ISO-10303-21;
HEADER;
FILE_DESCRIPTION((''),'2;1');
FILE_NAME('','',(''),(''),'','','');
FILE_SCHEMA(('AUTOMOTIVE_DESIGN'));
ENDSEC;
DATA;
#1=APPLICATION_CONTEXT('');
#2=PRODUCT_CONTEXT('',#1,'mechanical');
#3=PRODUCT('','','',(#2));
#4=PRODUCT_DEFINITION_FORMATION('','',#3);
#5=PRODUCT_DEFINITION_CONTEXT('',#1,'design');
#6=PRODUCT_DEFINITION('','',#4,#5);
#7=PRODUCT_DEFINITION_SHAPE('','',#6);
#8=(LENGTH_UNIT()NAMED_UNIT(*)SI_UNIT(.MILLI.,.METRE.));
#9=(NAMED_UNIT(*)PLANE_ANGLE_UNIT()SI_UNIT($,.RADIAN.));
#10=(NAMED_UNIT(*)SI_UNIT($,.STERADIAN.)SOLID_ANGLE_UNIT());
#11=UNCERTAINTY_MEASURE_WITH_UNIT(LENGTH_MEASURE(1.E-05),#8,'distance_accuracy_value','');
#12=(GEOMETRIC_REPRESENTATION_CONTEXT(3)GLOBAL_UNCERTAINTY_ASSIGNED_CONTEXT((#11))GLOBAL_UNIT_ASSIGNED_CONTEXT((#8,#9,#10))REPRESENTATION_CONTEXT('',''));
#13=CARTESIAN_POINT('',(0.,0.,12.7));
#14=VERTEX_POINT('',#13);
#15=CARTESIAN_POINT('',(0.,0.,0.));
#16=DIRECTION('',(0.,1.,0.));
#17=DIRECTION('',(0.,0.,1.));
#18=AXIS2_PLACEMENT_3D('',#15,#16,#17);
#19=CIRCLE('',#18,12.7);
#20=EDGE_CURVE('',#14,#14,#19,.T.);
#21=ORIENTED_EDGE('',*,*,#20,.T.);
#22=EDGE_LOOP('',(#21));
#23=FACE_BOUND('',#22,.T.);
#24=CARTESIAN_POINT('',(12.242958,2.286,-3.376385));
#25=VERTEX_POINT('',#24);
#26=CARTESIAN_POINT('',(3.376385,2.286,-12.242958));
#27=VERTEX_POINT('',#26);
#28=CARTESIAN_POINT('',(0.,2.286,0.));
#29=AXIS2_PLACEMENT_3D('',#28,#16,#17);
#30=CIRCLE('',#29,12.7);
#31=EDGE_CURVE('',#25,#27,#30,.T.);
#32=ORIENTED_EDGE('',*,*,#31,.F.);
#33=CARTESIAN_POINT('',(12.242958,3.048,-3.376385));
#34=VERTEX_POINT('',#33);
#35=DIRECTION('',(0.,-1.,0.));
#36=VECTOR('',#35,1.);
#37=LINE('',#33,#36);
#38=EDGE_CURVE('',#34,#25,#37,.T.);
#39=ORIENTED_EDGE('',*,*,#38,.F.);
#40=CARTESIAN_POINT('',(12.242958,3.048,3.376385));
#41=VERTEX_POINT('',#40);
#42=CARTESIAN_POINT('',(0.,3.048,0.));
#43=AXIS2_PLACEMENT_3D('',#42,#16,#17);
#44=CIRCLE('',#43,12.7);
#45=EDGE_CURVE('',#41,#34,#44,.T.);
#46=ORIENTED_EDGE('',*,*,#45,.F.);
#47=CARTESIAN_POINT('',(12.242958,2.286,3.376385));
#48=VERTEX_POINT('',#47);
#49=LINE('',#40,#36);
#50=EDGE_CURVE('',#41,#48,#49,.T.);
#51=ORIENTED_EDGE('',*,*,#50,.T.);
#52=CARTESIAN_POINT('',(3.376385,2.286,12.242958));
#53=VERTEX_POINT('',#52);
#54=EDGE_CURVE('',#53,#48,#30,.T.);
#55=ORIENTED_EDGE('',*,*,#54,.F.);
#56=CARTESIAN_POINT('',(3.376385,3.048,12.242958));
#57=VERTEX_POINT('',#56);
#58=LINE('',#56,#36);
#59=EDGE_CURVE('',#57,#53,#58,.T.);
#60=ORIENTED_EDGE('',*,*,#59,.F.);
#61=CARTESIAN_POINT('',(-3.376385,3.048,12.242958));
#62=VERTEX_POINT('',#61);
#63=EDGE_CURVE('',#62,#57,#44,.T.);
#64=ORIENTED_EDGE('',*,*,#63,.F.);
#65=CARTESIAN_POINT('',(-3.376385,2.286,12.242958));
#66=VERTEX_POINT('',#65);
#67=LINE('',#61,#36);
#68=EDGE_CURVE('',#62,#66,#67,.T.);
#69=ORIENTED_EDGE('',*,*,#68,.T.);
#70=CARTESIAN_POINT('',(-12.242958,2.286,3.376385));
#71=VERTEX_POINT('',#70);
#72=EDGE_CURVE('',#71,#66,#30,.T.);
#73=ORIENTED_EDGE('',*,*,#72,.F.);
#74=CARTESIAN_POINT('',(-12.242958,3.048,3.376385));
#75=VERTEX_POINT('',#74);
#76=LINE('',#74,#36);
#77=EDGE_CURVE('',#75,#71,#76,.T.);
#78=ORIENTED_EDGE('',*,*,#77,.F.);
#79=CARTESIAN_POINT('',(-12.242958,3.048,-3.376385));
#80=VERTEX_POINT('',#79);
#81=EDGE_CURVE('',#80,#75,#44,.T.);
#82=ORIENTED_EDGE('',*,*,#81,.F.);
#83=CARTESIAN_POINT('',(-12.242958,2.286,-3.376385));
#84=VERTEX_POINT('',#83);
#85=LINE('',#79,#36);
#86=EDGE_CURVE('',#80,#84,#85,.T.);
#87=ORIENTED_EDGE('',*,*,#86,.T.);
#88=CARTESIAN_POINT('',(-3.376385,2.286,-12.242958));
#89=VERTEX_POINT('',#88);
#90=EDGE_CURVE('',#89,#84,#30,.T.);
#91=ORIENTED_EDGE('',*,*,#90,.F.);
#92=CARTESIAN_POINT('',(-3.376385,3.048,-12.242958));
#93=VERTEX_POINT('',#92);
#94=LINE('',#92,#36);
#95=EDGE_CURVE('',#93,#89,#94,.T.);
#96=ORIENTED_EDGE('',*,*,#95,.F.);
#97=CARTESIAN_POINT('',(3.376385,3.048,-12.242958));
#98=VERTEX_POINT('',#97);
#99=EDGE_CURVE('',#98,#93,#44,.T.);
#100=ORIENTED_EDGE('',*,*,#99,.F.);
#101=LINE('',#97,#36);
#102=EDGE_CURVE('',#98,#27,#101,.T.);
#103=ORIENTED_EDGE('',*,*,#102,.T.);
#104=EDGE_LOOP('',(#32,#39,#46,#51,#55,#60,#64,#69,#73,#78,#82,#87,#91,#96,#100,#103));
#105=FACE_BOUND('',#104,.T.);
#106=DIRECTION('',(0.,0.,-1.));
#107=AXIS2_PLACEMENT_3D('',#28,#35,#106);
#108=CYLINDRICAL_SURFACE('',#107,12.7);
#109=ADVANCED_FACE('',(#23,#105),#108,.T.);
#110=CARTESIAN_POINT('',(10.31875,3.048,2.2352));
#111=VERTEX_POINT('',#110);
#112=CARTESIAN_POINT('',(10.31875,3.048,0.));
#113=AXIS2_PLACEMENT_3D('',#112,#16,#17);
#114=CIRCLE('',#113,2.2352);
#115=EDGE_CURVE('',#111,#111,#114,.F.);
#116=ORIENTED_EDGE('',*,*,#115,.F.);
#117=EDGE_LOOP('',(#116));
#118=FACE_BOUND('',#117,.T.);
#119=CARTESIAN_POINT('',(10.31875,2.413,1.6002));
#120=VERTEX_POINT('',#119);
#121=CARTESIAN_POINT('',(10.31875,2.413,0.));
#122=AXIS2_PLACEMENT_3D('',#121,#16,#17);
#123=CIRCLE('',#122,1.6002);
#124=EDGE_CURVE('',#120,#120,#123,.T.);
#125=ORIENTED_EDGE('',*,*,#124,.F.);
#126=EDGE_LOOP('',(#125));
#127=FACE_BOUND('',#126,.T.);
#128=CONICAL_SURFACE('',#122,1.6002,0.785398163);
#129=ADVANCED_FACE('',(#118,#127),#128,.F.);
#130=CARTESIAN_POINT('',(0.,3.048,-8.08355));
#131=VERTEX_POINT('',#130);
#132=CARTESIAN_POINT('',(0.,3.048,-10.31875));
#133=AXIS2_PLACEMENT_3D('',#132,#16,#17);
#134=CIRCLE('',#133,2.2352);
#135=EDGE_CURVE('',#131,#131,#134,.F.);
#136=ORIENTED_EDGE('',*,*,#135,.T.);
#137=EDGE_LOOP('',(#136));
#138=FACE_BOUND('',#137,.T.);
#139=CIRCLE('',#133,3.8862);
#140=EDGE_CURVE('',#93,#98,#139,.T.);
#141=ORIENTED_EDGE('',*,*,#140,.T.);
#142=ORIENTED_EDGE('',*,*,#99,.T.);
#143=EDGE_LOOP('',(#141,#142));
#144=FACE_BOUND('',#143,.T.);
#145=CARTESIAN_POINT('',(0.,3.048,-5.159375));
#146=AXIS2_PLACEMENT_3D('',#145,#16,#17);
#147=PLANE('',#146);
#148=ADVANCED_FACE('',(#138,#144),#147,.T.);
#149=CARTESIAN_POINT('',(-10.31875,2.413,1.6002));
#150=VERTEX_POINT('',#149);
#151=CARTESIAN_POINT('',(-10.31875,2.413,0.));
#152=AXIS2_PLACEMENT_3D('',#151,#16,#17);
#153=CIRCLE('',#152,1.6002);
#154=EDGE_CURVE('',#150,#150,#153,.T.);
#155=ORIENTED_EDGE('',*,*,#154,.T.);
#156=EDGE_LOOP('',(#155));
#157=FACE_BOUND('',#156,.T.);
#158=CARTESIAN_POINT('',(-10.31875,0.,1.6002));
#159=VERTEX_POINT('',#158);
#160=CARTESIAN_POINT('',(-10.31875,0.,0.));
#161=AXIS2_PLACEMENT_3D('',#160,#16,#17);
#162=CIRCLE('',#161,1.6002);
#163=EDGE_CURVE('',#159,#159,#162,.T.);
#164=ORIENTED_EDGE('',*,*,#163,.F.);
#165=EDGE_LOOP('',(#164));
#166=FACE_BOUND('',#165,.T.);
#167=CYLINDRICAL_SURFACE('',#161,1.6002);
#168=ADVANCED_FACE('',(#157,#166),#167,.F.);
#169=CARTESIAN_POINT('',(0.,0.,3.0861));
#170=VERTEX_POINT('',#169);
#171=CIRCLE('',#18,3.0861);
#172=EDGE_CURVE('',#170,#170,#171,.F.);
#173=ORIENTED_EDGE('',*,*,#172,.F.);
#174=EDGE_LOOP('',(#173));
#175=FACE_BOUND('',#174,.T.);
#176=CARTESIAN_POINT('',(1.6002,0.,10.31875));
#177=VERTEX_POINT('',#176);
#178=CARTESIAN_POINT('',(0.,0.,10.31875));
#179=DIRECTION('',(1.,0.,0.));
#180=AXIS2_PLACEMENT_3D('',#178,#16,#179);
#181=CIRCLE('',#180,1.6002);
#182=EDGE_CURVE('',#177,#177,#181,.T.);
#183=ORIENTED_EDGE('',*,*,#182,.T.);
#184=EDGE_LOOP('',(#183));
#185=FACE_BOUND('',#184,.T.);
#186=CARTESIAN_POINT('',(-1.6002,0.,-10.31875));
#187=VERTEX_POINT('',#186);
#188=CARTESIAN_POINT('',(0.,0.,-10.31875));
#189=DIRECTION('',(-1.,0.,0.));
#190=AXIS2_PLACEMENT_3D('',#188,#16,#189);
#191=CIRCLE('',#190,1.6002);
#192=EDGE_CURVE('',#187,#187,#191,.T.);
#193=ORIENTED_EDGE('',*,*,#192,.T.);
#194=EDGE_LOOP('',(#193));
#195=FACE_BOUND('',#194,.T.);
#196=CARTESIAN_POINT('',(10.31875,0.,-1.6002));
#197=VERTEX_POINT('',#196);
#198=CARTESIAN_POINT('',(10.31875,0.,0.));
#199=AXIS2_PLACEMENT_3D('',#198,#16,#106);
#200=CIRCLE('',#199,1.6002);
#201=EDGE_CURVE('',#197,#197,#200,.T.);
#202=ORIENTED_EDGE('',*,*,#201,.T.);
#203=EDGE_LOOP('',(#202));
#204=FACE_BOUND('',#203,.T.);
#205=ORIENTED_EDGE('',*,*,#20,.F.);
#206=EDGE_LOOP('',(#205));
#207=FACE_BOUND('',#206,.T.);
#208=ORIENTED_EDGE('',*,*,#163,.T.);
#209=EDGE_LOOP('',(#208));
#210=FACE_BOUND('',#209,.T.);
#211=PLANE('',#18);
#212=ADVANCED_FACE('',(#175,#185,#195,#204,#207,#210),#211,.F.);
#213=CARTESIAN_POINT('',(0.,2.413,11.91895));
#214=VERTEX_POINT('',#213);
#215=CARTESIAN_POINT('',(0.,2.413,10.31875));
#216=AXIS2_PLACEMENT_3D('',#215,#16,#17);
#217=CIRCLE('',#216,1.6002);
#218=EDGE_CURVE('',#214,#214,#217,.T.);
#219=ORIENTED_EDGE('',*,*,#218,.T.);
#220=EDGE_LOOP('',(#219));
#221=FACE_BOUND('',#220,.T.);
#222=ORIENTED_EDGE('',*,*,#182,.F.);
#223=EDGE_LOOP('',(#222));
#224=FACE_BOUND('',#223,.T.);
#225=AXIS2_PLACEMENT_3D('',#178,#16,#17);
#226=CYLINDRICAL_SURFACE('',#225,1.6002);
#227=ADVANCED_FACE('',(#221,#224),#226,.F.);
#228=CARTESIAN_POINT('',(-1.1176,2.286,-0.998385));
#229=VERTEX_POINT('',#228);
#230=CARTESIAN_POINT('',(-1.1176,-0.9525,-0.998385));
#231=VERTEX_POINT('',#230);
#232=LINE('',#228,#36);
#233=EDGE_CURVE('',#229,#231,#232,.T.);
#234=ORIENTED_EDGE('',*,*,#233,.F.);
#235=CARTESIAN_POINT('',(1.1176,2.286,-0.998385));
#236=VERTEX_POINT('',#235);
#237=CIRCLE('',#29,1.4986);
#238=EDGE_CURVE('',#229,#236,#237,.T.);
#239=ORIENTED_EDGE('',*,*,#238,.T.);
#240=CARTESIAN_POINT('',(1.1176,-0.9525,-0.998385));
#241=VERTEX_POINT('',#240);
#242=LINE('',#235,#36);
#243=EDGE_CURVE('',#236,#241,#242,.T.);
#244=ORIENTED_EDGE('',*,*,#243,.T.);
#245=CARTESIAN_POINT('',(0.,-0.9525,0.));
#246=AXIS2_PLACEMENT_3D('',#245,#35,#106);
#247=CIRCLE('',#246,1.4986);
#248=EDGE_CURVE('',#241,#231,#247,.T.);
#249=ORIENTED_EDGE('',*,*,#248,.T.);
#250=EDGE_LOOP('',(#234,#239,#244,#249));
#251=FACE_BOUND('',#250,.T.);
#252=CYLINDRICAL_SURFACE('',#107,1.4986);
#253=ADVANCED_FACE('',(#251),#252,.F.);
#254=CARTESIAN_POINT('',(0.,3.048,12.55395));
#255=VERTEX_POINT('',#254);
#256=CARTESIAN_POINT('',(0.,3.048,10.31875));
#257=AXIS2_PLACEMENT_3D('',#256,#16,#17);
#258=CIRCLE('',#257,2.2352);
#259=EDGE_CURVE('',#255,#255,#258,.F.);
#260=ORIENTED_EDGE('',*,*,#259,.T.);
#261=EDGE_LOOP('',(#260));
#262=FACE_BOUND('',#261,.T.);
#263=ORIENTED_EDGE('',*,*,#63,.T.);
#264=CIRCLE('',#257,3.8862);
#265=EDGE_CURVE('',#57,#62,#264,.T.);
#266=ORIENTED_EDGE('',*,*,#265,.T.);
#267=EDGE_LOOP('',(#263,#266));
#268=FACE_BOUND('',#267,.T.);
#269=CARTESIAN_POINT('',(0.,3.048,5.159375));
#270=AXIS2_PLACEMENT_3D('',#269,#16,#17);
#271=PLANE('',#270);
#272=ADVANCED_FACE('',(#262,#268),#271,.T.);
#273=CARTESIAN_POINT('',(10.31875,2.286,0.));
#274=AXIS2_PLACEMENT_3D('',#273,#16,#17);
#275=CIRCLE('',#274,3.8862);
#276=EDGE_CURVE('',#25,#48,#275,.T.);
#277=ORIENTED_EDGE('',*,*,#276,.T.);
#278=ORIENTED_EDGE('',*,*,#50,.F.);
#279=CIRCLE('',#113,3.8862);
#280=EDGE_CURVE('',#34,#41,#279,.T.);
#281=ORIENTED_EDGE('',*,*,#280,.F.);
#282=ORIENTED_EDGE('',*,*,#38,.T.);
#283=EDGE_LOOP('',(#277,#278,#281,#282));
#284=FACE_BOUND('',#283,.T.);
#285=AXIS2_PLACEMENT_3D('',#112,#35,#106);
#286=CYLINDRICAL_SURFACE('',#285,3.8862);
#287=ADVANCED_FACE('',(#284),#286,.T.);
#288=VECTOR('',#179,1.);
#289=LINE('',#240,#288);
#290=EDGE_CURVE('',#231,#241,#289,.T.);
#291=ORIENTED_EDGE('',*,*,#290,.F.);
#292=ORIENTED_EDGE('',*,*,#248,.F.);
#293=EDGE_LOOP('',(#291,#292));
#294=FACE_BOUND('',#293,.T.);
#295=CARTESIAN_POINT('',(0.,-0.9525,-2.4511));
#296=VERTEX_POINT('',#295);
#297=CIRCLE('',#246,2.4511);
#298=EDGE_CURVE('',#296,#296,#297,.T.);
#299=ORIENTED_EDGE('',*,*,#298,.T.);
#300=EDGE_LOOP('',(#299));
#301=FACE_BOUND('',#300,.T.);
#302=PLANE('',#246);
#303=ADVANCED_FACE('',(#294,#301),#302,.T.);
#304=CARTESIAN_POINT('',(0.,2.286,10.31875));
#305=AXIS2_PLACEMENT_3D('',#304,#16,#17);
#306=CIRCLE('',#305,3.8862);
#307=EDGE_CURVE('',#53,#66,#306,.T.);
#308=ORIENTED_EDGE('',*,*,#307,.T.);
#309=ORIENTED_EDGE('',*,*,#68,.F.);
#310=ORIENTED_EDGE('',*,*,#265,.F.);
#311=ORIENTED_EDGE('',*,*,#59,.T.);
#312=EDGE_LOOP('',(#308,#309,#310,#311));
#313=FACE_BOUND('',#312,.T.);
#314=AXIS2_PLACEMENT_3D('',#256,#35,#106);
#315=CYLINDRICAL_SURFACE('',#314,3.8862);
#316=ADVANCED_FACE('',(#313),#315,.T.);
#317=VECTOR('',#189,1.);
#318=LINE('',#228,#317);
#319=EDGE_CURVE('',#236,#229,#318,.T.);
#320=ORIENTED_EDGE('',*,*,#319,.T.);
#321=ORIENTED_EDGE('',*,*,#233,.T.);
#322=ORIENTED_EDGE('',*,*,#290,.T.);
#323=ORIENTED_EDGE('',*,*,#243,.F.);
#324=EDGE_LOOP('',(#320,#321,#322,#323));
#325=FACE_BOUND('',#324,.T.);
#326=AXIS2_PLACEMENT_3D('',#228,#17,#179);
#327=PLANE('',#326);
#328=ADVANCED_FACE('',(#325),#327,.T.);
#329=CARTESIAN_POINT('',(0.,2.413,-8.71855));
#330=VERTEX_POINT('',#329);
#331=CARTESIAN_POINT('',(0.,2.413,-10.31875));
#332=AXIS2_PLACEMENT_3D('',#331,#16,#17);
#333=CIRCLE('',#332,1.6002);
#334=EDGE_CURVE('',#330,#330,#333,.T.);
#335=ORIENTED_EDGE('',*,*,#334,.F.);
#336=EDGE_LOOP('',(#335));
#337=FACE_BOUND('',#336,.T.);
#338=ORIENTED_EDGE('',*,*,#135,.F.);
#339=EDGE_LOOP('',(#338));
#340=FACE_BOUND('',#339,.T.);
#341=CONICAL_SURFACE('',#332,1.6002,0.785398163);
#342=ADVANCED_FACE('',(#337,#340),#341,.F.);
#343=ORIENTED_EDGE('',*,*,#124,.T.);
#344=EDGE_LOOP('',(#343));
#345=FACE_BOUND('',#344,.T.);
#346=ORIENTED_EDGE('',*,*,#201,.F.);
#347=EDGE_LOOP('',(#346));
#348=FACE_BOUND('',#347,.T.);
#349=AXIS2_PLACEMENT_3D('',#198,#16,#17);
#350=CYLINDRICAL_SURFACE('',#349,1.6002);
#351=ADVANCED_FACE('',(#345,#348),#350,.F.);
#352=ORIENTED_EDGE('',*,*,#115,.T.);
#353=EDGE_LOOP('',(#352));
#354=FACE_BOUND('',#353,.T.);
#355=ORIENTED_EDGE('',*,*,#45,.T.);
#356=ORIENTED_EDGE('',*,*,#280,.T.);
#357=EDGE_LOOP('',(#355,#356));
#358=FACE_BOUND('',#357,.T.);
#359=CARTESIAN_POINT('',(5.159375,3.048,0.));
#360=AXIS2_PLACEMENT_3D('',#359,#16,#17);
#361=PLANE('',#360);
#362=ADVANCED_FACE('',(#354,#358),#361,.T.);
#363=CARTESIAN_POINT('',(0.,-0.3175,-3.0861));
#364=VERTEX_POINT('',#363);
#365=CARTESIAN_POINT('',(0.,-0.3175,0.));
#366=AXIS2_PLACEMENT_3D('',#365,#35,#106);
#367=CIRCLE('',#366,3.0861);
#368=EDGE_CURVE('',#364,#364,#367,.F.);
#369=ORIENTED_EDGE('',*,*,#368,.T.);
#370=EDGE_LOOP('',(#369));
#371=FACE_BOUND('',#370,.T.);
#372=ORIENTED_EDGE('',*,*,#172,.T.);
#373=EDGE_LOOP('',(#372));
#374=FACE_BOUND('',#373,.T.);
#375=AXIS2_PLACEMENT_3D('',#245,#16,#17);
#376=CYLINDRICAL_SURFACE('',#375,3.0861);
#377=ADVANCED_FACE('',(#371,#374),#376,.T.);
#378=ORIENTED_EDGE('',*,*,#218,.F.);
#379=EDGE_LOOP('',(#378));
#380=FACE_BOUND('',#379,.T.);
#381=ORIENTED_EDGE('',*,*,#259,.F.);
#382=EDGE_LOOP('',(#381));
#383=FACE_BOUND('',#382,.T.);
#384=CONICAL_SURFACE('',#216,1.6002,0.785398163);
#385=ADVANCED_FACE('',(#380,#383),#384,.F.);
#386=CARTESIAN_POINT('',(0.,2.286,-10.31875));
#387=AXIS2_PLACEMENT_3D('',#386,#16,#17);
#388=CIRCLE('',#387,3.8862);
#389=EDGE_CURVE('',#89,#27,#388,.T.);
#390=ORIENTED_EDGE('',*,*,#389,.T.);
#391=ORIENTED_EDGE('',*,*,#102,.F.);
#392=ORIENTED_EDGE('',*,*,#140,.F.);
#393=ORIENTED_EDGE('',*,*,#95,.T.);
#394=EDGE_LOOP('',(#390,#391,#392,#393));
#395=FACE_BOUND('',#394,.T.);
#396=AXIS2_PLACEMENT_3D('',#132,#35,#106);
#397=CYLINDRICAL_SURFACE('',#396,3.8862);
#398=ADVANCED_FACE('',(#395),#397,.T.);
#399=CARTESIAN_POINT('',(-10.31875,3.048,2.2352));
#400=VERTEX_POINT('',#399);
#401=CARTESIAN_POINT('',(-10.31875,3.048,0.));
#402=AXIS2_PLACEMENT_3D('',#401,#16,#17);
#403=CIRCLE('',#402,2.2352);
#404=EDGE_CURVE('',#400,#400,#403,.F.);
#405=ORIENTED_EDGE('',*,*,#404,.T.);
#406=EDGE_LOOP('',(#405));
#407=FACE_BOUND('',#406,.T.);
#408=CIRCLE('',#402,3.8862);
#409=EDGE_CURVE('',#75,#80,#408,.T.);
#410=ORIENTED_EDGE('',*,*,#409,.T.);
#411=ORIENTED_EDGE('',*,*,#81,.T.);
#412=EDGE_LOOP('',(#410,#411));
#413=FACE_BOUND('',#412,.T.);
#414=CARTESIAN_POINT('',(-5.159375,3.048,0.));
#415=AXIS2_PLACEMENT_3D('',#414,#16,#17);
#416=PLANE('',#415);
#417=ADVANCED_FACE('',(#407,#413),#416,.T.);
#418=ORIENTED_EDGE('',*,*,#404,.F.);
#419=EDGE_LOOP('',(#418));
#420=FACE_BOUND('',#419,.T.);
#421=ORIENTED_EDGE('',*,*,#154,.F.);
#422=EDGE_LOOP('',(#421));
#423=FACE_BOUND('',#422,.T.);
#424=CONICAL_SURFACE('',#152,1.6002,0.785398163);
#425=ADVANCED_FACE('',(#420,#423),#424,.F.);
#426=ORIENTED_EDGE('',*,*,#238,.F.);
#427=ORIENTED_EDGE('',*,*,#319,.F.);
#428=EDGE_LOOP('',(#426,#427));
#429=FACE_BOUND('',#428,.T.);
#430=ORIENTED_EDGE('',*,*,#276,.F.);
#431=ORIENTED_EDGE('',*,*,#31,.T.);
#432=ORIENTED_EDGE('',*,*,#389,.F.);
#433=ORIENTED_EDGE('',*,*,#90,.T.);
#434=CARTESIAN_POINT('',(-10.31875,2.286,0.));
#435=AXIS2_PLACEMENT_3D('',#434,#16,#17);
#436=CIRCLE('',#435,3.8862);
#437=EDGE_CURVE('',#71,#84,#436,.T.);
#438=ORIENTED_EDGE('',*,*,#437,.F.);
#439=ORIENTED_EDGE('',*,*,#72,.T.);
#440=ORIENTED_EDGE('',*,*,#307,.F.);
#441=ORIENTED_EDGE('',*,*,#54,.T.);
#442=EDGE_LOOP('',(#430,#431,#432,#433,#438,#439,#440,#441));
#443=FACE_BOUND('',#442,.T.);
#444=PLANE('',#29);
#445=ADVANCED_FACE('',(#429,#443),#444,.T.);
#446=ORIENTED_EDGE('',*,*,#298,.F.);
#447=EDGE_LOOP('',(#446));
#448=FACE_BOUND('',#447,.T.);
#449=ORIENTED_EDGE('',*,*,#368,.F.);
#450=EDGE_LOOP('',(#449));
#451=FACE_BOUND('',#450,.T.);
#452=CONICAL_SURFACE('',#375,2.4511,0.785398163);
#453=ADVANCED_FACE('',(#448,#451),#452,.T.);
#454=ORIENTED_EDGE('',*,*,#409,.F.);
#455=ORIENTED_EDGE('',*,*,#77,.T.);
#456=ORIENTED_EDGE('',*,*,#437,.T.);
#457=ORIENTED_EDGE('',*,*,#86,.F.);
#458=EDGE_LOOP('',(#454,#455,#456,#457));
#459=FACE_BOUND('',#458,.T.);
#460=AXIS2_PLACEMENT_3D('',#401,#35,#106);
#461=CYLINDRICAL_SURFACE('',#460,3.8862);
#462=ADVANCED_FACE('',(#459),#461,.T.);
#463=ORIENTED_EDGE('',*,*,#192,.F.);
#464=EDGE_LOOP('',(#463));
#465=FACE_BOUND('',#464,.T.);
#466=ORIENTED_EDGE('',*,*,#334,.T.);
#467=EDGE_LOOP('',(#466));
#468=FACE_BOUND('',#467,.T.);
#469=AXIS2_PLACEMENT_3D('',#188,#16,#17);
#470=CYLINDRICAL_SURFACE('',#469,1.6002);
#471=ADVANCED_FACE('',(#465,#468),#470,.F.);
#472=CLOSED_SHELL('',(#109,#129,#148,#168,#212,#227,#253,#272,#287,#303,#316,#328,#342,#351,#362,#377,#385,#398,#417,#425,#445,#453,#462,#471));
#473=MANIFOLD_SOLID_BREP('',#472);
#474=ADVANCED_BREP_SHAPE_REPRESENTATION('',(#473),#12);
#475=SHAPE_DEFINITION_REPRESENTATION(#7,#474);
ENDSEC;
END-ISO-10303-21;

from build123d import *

# Parameters (mm, degrees)
SKETCH1_R           = 12.7
BOSS_EXTRUDE1_DEPTH = 2.286
SKETCH2_R           = 1.6002
CUT_EXTRUDE1_DEPTH  = 3.286
CIRPATTERN1_COUNT   = 4
SKETCH4_R           = 1.6002
BOSS_EXTRUDE3_DEPTH = 0.762
CHAMFER1_SIZE       = 0.635
SKETCH5_R           = 3.0861
BOSS_EXTRUDE4_DEPTH = 0.9525
CHAMFER2_SIZE       = 0.635


with BuildPart() as part:
    # Sketch1 → Boss-Extrude1 (new body)
    with BuildSketch(Plane(origin=(0, 0, 0), x_dir=(1, 0, 0), z_dir=(0, 1, 0))):
        Circle(SKETCH1_R)
        with BuildLine():
            Line((-1.1176, 0.998384796), (1.1176, 0.998384796))
            ThreePointArc((1.1176, 0.998384796), (0, -1.4986), (-1.1176, 0.998384796))
        make_face(mode=Mode.SUBTRACT)
    extrude(amount=BOSS_EXTRUDE1_DEPTH)

    # Sketch2 → Cut-Extrude1 (cut, through all)
    with BuildSketch(Plane(origin=(0, 2.286, 0), x_dir=(1, 0, 0), z_dir=(0, 1, 0))):
        with Locations((-10.31875, 0)):
            Circle(SKETCH2_R)
    cut_extrude1 = extrude(amount=-CUT_EXTRUDE1_DEPTH, mode=Mode.SUBTRACT)

    # CirPattern1: Cut-Extrude1 ×4 about axis
    cirpattern1_axis = Axis((0, 0, 0), (0, 1, 0))
    for i in range(1, CIRPATTERN1_COUNT):
        add(cut_extrude1.rotate(cirpattern1_axis, i * 360 / CIRPATTERN1_COUNT), mode=Mode.SUBTRACT)

    # Sketch4 → Boss-Extrude3 (add)
    with BuildSketch(Plane(origin=(0, 2.286, 0), x_dir=(1, 0, 0), z_dir=(0, 1, 0))):
        with BuildLine():
            ThreePointArc((-12.242958262, -3.376384606), (-6.43255, 0), (-12.242958262, 3.376384606))
            ThreePointArc((-12.242958262, 3.376384606), (-12.7, 0), (-12.242958262, -3.376384606))
        make_face()
        with Locations((-10.31875, 0)):
            Circle(SKETCH4_R, mode=Mode.SUBTRACT)
        with BuildLine():
            ThreePointArc((-3.376384606, 12.242958262), (0, 6.43255), (3.376384606, 12.242958262))
            ThreePointArc((3.376384606, 12.242958262), (0, 12.7), (-3.376384606, 12.242958262))
        make_face()
        with Locations((0, 10.31875)):
            Circle(SKETCH4_R, mode=Mode.SUBTRACT)
        with BuildLine():
            ThreePointArc((12.242958262, 3.376384606), (6.43255, 0), (12.242958262, -3.376384606))
            ThreePointArc((12.242958262, -3.376384606), (12.7, 0), (12.242958262, 3.376384606))
        make_face()
        with Locations((10.31875, 0)):
            Circle(SKETCH4_R, mode=Mode.SUBTRACT)
        with BuildLine():
            ThreePointArc((3.376384606, -12.242958262), (0, -6.43255), (-3.376384606, -12.242958262))
            ThreePointArc((-3.376384606, -12.242958262), (0, -12.7), (3.376384606, -12.242958262))
        make_face()
        with Locations((0, -10.31875)):
            Circle(SKETCH4_R, mode=Mode.SUBTRACT)
    extrude(amount=BOSS_EXTRUDE3_DEPTH)

    # Chamfer1
    chamfer1_edges = [part.edges().sort_by_distance(p)[0] for p in [
        (-1.6002, 3.048, -10.31875),
        (8.71855, 3.048, 0),
        (-11.91895, 3.048, 0),
        (-1.6002, 3.048, 10.31875),
    ]]
    chamfer(chamfer1_edges, length=CHAMFER1_SIZE)

    # Sketch5 → Boss-Extrude4 (add)
    with BuildSketch(Plane.XZ):
        Circle(SKETCH5_R)
        with BuildLine():
            Line((1.1176, -0.998384796), (-1.1176, -0.998384796))
            ThreePointArc((-1.1176, -0.998384796), (0, 1.4986), (1.1176, -0.998384796))
        make_face(mode=Mode.SUBTRACT)
    extrude(amount=BOSS_EXTRUDE4_DEPTH)

    # Chamfer2
    chamfer2_edges = [part.edges().sort_by_distance(p)[0] for p in [
        (-3.0861, -0.9525, 0),
    ]]
    chamfer(chamfer2_edges, length=CHAMFER2_SIZE)


solid = part.part
